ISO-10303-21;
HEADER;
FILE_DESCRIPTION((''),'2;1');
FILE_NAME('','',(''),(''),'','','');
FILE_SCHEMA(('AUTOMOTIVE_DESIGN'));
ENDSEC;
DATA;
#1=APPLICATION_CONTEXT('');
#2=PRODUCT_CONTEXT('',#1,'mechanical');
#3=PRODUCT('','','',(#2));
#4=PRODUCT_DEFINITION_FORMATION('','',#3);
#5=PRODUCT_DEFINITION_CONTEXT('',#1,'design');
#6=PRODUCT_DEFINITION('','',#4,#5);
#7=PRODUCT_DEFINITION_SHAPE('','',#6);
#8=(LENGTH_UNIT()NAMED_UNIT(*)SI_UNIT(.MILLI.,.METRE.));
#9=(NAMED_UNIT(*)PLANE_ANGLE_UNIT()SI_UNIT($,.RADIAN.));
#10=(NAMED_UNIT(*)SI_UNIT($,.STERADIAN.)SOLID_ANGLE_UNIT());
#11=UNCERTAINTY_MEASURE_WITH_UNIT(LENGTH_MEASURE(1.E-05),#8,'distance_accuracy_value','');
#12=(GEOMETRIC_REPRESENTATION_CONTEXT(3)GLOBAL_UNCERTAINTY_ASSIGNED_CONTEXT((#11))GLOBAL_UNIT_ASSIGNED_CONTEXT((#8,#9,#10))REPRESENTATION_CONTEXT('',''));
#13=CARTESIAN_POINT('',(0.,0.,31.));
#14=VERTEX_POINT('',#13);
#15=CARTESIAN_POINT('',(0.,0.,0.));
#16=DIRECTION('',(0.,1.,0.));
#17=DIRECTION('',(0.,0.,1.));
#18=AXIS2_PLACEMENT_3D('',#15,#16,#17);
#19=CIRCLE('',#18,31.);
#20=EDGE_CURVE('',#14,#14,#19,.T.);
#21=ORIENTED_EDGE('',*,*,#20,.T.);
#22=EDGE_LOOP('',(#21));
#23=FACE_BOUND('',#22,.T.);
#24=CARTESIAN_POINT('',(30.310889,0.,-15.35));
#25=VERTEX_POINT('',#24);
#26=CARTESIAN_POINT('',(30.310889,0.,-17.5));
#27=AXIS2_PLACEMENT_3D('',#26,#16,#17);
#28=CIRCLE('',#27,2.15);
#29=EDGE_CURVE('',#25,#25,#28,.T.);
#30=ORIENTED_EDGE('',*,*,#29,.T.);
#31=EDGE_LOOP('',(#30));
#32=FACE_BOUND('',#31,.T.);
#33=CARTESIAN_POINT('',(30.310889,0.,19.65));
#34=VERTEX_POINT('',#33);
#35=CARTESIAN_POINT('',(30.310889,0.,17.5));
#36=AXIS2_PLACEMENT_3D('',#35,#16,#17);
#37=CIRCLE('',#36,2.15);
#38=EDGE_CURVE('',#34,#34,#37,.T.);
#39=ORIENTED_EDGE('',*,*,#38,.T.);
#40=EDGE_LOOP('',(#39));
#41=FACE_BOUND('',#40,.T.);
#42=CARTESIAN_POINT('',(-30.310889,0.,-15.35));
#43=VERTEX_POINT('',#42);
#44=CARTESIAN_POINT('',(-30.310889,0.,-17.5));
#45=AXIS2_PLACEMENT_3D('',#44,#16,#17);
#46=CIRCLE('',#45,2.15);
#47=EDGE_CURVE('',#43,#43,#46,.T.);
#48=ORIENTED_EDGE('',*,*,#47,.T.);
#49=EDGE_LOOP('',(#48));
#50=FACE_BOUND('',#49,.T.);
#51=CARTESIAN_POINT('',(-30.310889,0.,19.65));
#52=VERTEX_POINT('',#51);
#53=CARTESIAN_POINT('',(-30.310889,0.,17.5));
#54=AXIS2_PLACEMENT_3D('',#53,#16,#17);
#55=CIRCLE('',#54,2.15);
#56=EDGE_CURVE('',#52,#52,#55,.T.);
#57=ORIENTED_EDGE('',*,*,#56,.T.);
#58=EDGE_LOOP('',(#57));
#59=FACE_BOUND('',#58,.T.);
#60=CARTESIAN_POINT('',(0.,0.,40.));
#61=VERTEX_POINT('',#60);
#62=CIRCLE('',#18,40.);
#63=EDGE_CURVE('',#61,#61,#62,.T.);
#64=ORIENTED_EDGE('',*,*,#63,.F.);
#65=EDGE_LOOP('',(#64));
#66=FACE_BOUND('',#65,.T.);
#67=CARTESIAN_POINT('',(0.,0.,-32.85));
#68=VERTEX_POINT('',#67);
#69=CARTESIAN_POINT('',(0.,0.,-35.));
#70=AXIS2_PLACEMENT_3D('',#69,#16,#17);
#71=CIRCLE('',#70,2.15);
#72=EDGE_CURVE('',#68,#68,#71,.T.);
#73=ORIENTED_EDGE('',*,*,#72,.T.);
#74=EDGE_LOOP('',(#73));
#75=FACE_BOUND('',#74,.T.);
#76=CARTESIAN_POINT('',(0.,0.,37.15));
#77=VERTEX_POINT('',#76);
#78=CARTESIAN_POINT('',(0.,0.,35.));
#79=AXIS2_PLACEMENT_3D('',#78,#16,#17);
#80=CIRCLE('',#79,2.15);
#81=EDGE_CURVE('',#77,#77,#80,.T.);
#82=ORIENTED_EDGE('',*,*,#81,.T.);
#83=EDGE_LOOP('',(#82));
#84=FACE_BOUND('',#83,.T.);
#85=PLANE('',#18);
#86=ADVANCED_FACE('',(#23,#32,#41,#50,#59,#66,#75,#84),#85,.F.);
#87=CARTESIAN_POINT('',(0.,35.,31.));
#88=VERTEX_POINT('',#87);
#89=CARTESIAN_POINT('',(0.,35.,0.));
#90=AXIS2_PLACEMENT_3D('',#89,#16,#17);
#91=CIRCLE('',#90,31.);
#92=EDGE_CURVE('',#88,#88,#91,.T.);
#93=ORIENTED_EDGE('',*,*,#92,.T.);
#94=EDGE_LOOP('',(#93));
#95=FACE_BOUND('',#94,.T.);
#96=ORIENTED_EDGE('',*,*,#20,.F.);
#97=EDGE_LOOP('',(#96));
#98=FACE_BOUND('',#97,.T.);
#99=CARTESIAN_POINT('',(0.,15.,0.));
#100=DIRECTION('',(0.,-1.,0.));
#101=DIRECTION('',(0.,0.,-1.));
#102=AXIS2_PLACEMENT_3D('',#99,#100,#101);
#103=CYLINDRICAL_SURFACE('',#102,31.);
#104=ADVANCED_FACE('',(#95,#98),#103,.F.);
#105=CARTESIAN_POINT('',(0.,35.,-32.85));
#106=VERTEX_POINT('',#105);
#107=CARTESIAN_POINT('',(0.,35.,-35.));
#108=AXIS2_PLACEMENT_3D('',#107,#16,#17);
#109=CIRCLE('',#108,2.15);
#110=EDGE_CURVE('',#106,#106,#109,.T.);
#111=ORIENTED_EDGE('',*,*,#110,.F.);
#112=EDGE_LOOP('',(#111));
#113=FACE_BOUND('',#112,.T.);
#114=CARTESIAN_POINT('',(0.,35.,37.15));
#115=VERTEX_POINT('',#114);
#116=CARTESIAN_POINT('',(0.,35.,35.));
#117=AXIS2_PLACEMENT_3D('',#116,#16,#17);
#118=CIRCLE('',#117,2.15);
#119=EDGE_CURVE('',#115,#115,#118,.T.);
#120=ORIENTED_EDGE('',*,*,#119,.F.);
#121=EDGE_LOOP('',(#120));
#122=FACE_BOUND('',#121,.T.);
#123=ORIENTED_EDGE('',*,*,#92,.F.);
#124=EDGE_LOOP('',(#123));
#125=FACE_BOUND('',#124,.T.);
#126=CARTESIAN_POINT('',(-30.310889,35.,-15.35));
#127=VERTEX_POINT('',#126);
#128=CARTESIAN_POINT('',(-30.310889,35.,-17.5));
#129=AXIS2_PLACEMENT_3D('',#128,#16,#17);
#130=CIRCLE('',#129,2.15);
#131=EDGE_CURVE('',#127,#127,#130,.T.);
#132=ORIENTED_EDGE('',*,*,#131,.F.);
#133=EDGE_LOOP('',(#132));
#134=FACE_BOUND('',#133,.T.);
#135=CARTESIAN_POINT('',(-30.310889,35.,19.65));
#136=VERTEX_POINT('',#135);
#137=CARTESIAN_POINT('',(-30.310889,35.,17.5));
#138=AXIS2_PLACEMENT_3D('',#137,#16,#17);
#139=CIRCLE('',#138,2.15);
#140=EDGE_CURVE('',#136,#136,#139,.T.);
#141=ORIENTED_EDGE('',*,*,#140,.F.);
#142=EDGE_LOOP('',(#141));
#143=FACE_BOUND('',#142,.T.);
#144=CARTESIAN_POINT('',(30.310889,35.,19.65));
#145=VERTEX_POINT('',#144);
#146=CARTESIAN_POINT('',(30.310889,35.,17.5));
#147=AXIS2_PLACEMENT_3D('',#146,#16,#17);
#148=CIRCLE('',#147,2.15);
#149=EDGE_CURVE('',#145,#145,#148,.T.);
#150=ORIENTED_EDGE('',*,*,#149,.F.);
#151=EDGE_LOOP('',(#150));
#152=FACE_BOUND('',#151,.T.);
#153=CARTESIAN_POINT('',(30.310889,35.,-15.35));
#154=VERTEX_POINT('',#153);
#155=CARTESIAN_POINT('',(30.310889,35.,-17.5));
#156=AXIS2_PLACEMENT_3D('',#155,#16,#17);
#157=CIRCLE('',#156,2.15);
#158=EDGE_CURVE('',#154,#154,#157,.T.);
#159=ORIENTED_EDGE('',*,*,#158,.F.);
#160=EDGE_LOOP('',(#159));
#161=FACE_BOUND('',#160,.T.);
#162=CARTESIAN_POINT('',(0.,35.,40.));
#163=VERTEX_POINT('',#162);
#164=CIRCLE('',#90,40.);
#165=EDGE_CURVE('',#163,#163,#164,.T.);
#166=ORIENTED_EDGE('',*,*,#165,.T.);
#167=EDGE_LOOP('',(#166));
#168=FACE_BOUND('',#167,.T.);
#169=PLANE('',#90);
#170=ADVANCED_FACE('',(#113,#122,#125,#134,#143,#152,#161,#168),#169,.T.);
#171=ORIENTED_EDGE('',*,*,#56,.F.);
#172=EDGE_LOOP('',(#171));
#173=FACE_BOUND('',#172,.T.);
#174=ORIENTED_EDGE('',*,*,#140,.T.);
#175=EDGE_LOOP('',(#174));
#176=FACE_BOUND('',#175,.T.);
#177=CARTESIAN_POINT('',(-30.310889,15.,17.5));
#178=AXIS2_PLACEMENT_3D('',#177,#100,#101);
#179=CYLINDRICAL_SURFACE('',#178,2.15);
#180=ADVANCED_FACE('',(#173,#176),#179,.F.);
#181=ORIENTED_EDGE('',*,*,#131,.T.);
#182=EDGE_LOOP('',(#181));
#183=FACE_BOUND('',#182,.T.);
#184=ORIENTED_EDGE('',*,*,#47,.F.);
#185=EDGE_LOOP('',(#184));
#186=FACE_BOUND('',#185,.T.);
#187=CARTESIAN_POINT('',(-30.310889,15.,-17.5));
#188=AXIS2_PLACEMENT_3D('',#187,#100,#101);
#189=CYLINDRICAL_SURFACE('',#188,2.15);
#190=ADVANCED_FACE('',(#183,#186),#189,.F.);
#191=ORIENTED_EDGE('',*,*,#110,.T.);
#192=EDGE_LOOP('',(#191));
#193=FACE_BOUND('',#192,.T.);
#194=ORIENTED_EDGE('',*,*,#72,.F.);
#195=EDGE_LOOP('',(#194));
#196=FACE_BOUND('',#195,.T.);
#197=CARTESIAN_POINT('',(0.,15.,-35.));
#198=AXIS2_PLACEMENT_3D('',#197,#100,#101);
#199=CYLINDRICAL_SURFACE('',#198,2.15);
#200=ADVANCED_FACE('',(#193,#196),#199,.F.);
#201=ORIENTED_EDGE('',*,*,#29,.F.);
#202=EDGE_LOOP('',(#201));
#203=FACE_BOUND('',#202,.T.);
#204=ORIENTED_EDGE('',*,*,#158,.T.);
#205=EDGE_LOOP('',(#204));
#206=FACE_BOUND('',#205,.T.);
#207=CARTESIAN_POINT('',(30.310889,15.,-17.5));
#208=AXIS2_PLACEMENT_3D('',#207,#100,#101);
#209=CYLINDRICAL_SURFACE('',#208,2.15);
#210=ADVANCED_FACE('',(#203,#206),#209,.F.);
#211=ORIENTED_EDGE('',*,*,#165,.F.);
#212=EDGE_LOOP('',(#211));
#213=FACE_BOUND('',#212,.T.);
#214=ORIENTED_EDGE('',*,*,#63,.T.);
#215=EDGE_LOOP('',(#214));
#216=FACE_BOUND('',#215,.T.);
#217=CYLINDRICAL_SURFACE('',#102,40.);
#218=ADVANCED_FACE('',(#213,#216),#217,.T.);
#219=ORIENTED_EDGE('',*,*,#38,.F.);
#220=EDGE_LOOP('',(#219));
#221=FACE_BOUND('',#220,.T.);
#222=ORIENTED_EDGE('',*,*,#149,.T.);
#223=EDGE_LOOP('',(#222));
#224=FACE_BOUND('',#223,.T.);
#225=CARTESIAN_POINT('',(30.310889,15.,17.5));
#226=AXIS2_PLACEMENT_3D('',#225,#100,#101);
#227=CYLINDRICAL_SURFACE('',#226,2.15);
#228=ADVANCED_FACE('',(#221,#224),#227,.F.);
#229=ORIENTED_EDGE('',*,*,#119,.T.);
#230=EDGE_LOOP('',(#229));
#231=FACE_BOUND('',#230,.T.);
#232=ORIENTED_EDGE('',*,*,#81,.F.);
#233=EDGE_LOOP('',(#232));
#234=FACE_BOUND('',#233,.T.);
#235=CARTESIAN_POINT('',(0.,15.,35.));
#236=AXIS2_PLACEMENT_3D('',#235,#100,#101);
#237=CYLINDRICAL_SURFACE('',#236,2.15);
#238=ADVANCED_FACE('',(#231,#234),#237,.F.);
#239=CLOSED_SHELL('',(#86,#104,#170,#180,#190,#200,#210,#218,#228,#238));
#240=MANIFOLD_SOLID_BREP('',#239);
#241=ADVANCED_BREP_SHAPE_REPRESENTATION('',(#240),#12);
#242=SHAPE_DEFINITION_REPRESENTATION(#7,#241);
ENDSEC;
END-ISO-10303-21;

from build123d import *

# Parameters (mm, degrees)
SKETCH_1_R      = 40
SKETCH_1_R_2    = 31
SKETCH_1_R_3    = 2.15
EXTRUDE_3_DEPTH = 15
SKETCH_2_R      = 40
SKETCH_2_R_2    = 31
SKETCH_2_R_3    = 2.15
EXTRUDE_5_DEPTH = 20


with BuildPart() as part:
    # 草图1 → 凸台-拉伸3 (new body)
    with BuildSketch(Plane(origin=(0, 0, 0), x_dir=(1, 0, 0), z_dir=(0, 1, 0))):
        with Locations(Location((0, 0, 0), (0, 0, 270))):
            Circle(SKETCH_1_R)
        with Locations(Location((0, 0, 0), (0, 0, 270))):
            Circle(SKETCH_1_R_2, mode=Mode.SUBTRACT)
        with Locations(Location((0, 35, 0), (0, 0, 270))):
            Circle(SKETCH_1_R_3, mode=Mode.SUBTRACT)
        with Locations(Location((30.310889132, 17.5, 0), (0, 0, 270))):
            Circle(SKETCH_1_R_3, mode=Mode.SUBTRACT)
        with Locations(Location((30.310889132, -17.5, 0), (0, 0, 270))):
            Circle(SKETCH_1_R_3, mode=Mode.SUBTRACT)
        with Locations(Location((0, -35, 0), (0, 0, 270))):
            Circle(SKETCH_1_R_3, mode=Mode.SUBTRACT)
        with Locations(Location((-30.310889132, -17.5, 0), (0, 0, 270))):
            Circle(SKETCH_1_R_3, mode=Mode.SUBTRACT)
        with Locations(Location((-30.310889132, 17.5, 0), (0, 0, 270))):
            Circle(SKETCH_1_R_3, mode=Mode.SUBTRACT)
    extrude(amount=EXTRUDE_3_DEPTH)

    # 草图2 → 凸台-拉伸5 (add)
    with BuildSketch(Plane(origin=(0, 15, 0), x_dir=(1, 0, 0), z_dir=(0, 1, 0))):
        with Locations(Location((0, 0, 0), (0, 0, 270))):
            Circle(SKETCH_2_R)
        with Locations(Location((0, 0, 0), (0, 0, 270))):
            Circle(SKETCH_2_R_2, mode=Mode.SUBTRACT)
        with Locations(Location((0, 35, 0), (0, 0, 270))):
            Circle(SKETCH_2_R_3, mode=Mode.SUBTRACT)
        with Locations(Location((30.310889132, 17.5, 0), (0, 0, 270))):
            Circle(SKETCH_2_R_3, mode=Mode.SUBTRACT)
        with Locations(Location((30.310889132, -17.5, 0), (0, 0, 270))):
            Circle(SKETCH_2_R_3, mode=Mode.SUBTRACT)
        with Locations(Location((0, -35, 0), (0, 0, 270))):
            Circle(SKETCH_2_R_3, mode=Mode.SUBTRACT)
        with Locations(Location((-30.310889132, -17.5, 0), (0, 0, 270))):
            Circle(SKETCH_2_R_3, mode=Mode.SUBTRACT)
        with Locations(Location((-30.310889132, 17.5, 0), (0, 0, 270))):
            Circle(SKETCH_2_R_3, mode=Mode.SUBTRACT)
    extrude(amount=EXTRUDE_5_DEPTH)


solid = part.part
